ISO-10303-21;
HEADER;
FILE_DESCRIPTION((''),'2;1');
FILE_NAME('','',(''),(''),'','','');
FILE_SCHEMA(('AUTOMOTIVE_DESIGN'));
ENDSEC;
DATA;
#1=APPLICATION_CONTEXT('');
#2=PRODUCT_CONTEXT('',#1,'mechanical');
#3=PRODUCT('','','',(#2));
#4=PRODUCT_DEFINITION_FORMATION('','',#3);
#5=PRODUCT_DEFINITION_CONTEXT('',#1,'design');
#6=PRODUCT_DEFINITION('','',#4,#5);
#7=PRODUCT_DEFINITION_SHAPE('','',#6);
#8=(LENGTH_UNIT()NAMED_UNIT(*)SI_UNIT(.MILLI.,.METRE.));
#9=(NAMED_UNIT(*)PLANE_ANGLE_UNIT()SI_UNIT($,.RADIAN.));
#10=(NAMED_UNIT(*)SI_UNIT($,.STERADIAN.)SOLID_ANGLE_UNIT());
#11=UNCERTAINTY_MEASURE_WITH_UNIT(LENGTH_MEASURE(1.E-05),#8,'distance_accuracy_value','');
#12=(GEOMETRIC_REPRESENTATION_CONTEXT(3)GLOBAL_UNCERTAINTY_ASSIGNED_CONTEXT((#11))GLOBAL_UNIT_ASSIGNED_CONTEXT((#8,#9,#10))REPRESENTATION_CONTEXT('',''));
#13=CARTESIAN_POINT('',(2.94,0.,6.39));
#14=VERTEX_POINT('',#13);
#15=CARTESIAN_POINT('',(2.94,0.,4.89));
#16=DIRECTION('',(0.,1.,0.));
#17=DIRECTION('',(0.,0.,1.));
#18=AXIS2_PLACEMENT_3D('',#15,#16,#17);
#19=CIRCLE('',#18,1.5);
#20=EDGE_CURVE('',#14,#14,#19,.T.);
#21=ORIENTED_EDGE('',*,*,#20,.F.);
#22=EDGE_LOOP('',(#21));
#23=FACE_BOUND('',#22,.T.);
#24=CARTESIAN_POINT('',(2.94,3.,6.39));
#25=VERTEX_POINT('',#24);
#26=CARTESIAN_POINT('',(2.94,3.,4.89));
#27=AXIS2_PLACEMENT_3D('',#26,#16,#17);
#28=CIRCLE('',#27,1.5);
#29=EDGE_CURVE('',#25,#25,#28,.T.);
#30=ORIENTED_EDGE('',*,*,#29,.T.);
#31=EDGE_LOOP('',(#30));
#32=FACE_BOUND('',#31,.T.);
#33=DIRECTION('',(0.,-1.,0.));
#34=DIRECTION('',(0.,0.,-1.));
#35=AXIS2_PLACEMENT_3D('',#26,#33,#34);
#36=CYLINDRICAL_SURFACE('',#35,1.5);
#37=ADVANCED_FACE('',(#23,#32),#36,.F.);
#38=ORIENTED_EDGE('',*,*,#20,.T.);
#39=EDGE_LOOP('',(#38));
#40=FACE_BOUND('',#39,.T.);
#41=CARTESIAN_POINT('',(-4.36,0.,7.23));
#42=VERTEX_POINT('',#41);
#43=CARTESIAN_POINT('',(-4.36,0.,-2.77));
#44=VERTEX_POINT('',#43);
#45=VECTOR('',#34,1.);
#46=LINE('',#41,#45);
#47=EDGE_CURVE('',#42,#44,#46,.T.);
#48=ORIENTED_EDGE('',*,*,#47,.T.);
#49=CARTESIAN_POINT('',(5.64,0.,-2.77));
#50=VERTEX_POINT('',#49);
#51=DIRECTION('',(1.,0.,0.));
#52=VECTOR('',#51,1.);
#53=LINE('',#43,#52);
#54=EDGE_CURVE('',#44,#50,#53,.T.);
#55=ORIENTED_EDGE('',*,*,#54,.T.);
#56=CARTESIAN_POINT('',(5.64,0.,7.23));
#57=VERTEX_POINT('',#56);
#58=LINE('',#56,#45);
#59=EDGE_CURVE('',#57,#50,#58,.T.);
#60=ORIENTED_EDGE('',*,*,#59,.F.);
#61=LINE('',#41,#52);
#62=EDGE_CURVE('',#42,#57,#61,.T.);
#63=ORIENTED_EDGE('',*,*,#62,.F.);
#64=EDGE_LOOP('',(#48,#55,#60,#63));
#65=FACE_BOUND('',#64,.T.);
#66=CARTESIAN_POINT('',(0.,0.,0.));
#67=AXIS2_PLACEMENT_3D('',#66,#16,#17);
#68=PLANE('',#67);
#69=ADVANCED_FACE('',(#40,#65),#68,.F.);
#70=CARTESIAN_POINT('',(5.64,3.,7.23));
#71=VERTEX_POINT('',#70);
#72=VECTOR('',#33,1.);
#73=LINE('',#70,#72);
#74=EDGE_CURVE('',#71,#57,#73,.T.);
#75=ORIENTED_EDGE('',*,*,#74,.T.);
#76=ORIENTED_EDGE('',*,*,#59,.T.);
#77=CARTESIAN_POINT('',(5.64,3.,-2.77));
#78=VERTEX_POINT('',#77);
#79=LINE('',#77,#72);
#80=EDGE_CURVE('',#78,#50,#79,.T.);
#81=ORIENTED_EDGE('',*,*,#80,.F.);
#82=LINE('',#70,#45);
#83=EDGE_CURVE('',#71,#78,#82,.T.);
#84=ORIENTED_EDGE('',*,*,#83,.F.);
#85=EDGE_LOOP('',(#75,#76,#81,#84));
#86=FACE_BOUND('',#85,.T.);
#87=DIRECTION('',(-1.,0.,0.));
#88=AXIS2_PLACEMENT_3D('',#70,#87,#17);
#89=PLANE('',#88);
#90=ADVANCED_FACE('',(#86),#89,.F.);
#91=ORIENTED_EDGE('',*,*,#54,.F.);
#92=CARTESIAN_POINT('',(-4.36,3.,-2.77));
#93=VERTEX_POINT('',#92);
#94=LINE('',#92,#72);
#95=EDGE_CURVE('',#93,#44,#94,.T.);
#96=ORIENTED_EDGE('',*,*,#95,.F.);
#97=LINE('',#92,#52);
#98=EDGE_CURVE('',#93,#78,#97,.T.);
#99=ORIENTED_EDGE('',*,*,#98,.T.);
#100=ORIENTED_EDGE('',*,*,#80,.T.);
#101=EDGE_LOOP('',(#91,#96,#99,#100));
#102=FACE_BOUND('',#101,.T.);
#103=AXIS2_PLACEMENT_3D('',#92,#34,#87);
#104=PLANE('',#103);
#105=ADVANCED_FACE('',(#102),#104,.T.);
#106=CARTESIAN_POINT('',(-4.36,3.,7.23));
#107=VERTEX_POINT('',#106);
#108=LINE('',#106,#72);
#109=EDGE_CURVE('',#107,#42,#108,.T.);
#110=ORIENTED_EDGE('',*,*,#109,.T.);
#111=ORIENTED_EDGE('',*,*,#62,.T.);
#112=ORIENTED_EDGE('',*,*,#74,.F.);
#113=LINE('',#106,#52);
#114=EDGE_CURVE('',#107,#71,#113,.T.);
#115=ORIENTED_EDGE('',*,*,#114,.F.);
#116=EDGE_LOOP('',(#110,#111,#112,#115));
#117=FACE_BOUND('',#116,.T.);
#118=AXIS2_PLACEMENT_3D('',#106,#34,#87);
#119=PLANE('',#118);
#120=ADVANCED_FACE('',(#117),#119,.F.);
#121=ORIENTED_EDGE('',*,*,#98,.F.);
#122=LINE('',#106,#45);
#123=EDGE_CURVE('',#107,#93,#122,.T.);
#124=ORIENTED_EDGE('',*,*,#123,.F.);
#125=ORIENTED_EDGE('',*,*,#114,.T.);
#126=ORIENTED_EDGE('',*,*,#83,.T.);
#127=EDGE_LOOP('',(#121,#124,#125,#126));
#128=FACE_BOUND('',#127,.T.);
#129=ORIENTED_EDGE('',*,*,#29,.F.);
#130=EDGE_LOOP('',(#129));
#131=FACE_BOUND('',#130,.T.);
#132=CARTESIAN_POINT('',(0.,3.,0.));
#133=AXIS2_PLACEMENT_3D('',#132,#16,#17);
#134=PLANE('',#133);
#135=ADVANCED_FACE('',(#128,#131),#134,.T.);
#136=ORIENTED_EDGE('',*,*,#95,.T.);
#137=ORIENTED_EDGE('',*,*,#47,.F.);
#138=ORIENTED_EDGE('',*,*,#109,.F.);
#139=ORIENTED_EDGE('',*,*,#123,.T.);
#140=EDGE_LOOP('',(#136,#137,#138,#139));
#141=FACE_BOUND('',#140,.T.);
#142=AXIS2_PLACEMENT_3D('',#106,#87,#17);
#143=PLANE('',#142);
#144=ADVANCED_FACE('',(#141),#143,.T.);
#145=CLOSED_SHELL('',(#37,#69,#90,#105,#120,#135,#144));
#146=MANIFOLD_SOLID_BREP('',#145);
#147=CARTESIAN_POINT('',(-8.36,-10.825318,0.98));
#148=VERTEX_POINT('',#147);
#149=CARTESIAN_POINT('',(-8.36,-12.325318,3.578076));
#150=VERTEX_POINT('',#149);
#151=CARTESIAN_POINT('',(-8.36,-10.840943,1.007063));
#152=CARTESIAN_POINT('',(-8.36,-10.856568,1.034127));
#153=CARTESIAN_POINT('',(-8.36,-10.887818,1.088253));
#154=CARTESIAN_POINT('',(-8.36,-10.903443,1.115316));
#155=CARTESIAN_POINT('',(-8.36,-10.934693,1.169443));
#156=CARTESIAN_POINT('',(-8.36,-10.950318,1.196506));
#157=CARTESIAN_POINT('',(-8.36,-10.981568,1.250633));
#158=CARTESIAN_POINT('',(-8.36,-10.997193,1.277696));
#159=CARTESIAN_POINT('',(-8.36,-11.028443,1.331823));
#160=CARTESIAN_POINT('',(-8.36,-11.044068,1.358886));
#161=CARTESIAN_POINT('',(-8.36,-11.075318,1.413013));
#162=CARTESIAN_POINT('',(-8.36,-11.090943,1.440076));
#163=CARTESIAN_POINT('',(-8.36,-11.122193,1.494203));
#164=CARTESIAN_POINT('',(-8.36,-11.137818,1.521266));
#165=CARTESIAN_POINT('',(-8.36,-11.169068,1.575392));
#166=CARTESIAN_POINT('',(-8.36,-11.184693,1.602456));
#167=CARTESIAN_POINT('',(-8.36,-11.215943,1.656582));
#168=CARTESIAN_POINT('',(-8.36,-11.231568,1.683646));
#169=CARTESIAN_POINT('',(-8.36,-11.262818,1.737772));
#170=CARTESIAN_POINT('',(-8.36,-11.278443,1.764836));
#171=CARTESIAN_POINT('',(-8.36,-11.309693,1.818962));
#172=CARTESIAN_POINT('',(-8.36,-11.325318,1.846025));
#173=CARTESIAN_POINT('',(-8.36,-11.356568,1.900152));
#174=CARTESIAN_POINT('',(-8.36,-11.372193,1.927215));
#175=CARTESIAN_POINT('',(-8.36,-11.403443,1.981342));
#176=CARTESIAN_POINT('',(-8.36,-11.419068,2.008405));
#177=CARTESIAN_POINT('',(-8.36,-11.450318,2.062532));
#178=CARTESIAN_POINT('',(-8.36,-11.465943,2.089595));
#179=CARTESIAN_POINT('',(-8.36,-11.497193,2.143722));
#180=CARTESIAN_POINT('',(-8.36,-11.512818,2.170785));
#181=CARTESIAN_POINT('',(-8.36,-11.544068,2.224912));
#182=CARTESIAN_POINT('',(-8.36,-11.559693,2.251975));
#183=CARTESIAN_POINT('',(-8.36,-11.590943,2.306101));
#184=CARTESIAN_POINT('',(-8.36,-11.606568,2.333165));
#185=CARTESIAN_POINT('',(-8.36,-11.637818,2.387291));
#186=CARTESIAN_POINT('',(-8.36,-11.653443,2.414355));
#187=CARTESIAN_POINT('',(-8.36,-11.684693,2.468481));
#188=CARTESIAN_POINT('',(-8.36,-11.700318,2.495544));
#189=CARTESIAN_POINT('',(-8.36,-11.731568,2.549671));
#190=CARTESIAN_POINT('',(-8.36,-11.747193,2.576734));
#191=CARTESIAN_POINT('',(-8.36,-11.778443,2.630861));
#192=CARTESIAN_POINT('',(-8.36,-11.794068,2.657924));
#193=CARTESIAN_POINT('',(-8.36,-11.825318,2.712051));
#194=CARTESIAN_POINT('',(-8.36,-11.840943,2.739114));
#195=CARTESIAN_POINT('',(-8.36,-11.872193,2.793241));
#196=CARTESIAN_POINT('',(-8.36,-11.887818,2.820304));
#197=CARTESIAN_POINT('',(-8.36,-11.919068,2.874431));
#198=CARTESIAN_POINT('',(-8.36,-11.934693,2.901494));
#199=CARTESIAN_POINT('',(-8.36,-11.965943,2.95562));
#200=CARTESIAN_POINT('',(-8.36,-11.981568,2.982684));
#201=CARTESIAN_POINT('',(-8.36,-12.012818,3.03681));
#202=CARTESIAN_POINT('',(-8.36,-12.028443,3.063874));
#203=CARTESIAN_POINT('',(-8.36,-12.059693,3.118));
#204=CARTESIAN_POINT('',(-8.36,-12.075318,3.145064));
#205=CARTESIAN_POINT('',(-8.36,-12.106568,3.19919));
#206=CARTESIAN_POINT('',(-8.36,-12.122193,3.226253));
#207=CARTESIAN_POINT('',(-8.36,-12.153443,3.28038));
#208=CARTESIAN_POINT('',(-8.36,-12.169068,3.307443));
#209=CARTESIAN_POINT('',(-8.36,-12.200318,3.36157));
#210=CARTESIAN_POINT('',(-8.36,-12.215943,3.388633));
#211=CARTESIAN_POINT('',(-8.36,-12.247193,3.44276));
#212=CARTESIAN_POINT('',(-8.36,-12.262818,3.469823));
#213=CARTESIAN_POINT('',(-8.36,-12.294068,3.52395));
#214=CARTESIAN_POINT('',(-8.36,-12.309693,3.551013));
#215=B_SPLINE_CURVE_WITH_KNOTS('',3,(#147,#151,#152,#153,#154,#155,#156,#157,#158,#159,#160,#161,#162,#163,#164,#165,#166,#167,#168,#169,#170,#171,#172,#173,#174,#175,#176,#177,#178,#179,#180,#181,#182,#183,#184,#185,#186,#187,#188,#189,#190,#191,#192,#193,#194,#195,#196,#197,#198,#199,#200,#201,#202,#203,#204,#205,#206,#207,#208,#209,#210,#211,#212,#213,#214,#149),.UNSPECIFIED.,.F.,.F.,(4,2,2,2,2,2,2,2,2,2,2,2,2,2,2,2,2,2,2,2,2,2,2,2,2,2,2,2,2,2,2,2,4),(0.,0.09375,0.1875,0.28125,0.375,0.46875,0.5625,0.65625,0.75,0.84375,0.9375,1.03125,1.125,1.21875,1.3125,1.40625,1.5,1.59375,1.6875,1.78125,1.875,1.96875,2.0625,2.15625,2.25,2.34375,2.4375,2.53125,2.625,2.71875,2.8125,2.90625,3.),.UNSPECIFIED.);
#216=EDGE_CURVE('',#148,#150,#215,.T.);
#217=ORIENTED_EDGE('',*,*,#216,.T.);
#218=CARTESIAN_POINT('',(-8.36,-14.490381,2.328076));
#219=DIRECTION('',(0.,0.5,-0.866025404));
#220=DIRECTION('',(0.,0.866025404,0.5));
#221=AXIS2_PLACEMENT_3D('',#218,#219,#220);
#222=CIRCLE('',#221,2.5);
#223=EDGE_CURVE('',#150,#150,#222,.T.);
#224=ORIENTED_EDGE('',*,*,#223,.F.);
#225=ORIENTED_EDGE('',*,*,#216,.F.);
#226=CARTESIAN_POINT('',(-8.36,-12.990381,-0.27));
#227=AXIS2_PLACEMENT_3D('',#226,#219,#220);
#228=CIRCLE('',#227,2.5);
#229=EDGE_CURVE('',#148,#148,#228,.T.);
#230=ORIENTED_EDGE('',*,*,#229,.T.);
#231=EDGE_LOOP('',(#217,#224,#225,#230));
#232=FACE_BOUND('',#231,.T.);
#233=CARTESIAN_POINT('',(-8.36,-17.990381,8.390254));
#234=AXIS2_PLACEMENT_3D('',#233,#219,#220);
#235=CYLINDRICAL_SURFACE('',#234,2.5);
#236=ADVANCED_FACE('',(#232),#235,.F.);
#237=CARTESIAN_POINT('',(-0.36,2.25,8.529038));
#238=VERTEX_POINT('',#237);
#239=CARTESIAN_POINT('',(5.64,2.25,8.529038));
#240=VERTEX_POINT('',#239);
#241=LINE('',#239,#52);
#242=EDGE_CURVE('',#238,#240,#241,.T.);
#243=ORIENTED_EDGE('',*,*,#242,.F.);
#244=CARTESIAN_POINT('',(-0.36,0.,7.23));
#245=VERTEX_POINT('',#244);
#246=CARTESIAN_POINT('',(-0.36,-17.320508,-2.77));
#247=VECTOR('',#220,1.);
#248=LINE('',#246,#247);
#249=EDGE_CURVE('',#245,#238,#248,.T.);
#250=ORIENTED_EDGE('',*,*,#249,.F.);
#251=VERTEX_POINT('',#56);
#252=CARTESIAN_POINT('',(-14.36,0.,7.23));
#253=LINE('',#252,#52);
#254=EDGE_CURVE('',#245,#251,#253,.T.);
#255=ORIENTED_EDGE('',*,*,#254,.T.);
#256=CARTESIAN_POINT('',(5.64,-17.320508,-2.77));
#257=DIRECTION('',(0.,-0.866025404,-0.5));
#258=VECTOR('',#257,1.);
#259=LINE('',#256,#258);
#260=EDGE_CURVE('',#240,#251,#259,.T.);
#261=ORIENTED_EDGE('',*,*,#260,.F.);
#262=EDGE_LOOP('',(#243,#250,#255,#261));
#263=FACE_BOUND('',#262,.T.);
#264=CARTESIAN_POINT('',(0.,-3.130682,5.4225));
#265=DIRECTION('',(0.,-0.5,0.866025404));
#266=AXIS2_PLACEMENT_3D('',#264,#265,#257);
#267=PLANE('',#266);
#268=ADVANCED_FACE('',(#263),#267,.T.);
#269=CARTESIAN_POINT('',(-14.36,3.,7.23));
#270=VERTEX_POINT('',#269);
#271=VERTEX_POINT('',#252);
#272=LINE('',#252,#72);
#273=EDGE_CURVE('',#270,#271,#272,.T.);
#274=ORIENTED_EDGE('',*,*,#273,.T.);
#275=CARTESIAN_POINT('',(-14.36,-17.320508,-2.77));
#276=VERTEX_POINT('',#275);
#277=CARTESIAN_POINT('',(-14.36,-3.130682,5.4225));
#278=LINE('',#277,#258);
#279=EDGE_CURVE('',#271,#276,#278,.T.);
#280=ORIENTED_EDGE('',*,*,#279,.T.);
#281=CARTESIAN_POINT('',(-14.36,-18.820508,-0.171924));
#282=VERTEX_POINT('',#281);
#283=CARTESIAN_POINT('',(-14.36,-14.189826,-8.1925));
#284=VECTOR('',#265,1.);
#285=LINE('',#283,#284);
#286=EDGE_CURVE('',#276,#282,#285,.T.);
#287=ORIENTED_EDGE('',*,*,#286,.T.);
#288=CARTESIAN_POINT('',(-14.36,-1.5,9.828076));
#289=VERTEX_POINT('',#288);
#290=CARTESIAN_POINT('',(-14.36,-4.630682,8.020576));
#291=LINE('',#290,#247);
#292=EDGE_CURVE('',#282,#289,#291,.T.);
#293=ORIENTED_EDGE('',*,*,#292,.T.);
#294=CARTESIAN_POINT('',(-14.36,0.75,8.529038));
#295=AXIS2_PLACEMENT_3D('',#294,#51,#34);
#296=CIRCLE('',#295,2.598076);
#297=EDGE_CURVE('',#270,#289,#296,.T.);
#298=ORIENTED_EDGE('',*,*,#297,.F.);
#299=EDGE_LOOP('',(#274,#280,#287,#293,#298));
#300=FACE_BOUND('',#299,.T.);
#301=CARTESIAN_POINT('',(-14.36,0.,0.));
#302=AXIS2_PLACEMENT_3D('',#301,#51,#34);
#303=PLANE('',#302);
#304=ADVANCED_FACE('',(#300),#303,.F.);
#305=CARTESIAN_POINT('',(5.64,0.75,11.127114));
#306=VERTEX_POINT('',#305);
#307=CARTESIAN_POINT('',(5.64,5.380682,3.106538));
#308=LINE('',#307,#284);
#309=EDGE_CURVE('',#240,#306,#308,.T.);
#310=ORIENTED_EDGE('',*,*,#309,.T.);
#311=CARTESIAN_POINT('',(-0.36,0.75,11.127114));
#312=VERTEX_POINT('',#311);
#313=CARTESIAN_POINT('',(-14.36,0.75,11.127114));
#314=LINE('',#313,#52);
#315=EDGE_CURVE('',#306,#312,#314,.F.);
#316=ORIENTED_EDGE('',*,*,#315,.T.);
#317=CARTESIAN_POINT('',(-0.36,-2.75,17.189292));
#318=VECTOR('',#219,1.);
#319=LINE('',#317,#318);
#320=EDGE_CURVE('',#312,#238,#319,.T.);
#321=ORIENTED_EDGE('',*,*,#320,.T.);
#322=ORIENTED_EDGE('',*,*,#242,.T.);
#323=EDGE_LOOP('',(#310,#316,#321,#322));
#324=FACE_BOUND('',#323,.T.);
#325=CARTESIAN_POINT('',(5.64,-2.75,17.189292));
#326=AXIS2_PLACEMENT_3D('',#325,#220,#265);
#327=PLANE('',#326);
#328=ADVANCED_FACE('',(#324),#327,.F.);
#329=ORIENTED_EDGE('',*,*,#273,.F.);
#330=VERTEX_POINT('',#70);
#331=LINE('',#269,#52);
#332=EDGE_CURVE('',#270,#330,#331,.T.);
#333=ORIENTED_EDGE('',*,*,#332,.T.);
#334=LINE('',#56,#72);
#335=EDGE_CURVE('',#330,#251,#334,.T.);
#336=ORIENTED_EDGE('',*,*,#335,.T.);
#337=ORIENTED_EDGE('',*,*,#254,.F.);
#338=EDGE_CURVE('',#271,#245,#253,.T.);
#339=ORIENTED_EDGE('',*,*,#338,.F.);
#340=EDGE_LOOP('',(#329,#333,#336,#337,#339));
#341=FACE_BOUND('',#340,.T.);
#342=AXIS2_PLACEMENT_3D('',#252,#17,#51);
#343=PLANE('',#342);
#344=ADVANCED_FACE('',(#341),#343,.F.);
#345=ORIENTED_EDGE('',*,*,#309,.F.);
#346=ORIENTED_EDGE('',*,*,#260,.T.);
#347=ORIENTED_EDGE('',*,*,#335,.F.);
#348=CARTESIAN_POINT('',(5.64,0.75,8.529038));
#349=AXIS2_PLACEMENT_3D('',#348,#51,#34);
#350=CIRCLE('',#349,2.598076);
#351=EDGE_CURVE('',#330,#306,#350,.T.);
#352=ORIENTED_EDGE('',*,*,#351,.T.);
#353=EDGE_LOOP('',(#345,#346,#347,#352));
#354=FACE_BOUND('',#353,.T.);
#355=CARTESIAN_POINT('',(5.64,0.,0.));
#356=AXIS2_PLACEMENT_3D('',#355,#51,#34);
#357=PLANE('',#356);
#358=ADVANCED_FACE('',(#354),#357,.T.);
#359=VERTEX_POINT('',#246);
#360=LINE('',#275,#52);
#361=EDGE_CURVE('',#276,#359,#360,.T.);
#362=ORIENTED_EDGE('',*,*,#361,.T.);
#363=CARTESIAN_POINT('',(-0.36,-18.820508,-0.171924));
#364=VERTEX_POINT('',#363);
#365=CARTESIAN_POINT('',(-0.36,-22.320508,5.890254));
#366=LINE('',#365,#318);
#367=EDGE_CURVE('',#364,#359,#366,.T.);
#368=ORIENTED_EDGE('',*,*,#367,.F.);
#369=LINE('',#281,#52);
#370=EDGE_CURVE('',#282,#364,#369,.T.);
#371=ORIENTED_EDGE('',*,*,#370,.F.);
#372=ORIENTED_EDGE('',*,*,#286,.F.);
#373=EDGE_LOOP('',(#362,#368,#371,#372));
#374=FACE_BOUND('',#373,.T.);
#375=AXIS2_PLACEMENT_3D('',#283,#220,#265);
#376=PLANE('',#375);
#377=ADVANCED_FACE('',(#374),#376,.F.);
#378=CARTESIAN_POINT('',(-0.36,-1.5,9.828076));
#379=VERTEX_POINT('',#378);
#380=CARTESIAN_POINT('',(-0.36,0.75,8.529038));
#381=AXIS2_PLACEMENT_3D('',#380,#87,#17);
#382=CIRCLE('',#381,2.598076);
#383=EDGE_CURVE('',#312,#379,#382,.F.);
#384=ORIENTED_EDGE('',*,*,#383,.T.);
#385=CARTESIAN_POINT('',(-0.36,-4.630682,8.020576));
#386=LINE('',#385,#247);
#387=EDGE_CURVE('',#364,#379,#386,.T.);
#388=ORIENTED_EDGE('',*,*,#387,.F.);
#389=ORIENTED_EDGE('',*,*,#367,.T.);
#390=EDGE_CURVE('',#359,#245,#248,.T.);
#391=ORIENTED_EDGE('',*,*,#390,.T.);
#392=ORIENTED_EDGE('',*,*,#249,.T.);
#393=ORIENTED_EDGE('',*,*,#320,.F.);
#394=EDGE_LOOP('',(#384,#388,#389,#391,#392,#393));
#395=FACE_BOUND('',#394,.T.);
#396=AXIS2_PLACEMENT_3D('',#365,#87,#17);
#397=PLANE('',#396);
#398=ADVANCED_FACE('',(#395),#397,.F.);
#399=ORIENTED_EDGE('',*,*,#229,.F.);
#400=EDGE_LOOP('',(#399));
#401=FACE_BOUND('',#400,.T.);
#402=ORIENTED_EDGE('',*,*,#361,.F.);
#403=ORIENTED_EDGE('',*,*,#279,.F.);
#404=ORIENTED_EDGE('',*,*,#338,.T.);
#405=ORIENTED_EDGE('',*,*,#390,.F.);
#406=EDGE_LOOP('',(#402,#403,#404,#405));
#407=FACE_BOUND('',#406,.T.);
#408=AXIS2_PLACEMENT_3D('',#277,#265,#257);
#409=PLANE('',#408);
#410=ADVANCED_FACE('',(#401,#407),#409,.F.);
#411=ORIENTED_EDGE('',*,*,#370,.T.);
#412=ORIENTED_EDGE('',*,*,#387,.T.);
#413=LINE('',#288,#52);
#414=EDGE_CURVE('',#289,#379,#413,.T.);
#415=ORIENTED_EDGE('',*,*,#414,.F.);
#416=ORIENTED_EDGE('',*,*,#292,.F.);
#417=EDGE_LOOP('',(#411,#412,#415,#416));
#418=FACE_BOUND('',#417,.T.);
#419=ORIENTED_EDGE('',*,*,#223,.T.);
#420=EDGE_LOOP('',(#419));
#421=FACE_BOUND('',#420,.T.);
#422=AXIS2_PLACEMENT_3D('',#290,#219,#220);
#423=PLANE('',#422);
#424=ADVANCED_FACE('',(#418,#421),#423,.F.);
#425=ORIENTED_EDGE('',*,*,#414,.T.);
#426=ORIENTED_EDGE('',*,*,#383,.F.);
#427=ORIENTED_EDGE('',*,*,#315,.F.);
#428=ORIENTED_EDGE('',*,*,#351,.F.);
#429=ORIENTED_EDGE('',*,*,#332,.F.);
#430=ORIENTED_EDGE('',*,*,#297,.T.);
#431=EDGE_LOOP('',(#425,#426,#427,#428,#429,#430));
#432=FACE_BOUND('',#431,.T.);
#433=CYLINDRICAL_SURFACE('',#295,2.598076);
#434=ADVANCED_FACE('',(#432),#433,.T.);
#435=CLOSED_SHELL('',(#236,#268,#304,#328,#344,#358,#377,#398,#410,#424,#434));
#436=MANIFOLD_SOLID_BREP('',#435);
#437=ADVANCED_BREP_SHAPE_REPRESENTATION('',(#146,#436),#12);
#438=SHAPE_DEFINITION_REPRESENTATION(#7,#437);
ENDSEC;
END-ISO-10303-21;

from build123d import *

# Parameters (mm, degrees)
SKETCH_1_W          = 10
SKETCH_1_H          = 10
SKETCH_1_R          = 1.5
EXTRUDE_1_DEPTH     = 3
EXTRUDE_3_DEPTH     = 20
SKETCH_4_R          = 2.5
CUT_EXTRUDE_1_DEPTH = 10
SKETCH_5_W          = 6
SKETCH_5_H          = 22.598076211
CUT_EXTRUDE_2_DEPTH = 10


with BuildPart() as part:
    # 草圖1 → 填料-伸長1 (new body)
    with BuildSketch(Plane(origin=(0, 0, 0), x_dir=(1, 0, 0), z_dir=(0, 1, 0))):
        with Locations((0.64, -2.23)):
            Rectangle(SKETCH_1_W, SKETCH_1_H)
        with Locations(Location((2.94, -4.89, 0), (0, 0, 270))):
            Circle(SKETCH_1_R, mode=Mode.SUBTRACT)
    extrude(amount=EXTRUDE_1_DEPTH)


with BuildPart() as body_2:
    # 草圖3 → 填料-伸長3 (new body)
    with BuildSketch(Plane(origin=(5.64, 0, 0), x_dir=(0, 0, -1), z_dir=(1, 0, 0))):
        with BuildLine():
            ThreePointArc((-7.23, 3), (-10.779038106, 2.049038106), (-9.828076211, -1.5))
            Line((-9.828076211, -1.5), (-7.23, 0))
            Line((-7.23, 0), (-7.23, 3))
        make_face()
        Polygon((-9.828076211, -1.5), (-7.23, 0), (2.77, -17.320508076), (0.171923789, -18.820508076), align=None)
    extrude(amount=-EXTRUDE_3_DEPTH)

    # 草圖4 → 除料-伸長1 (cut)
    with BuildSketch(Plane(origin=(0, -3.130681835, 5.4225), x_dir=(-1, 0, 0), z_dir=(0, 0.4999999999999977, -0.8660254037844399))):
        with Locations(Location((8.36, -11.385, 0), (0, 0, 90))):
            Circle(SKETCH_4_R)
    extrude(amount=-CUT_EXTRUDE_1_DEPTH, mode=Mode.SUBTRACT)

    # 草圖5 → 除料-伸長2 (cut)
    with BuildSketch(Plane(origin=(0, -3.130681835, 5.4225), x_dir=(-1, 0, 0), z_dir=(0, 0.4999999999999977, -0.8660254037844399))):
        with Locations((-2.64, -5.085961895)):
            Rectangle(SKETCH_5_W, SKETCH_5_H)
    extrude(amount=-CUT_EXTRUDE_2_DEPTH, mode=Mode.SUBTRACT)


solid = Compound([part.part, body_2.part])
